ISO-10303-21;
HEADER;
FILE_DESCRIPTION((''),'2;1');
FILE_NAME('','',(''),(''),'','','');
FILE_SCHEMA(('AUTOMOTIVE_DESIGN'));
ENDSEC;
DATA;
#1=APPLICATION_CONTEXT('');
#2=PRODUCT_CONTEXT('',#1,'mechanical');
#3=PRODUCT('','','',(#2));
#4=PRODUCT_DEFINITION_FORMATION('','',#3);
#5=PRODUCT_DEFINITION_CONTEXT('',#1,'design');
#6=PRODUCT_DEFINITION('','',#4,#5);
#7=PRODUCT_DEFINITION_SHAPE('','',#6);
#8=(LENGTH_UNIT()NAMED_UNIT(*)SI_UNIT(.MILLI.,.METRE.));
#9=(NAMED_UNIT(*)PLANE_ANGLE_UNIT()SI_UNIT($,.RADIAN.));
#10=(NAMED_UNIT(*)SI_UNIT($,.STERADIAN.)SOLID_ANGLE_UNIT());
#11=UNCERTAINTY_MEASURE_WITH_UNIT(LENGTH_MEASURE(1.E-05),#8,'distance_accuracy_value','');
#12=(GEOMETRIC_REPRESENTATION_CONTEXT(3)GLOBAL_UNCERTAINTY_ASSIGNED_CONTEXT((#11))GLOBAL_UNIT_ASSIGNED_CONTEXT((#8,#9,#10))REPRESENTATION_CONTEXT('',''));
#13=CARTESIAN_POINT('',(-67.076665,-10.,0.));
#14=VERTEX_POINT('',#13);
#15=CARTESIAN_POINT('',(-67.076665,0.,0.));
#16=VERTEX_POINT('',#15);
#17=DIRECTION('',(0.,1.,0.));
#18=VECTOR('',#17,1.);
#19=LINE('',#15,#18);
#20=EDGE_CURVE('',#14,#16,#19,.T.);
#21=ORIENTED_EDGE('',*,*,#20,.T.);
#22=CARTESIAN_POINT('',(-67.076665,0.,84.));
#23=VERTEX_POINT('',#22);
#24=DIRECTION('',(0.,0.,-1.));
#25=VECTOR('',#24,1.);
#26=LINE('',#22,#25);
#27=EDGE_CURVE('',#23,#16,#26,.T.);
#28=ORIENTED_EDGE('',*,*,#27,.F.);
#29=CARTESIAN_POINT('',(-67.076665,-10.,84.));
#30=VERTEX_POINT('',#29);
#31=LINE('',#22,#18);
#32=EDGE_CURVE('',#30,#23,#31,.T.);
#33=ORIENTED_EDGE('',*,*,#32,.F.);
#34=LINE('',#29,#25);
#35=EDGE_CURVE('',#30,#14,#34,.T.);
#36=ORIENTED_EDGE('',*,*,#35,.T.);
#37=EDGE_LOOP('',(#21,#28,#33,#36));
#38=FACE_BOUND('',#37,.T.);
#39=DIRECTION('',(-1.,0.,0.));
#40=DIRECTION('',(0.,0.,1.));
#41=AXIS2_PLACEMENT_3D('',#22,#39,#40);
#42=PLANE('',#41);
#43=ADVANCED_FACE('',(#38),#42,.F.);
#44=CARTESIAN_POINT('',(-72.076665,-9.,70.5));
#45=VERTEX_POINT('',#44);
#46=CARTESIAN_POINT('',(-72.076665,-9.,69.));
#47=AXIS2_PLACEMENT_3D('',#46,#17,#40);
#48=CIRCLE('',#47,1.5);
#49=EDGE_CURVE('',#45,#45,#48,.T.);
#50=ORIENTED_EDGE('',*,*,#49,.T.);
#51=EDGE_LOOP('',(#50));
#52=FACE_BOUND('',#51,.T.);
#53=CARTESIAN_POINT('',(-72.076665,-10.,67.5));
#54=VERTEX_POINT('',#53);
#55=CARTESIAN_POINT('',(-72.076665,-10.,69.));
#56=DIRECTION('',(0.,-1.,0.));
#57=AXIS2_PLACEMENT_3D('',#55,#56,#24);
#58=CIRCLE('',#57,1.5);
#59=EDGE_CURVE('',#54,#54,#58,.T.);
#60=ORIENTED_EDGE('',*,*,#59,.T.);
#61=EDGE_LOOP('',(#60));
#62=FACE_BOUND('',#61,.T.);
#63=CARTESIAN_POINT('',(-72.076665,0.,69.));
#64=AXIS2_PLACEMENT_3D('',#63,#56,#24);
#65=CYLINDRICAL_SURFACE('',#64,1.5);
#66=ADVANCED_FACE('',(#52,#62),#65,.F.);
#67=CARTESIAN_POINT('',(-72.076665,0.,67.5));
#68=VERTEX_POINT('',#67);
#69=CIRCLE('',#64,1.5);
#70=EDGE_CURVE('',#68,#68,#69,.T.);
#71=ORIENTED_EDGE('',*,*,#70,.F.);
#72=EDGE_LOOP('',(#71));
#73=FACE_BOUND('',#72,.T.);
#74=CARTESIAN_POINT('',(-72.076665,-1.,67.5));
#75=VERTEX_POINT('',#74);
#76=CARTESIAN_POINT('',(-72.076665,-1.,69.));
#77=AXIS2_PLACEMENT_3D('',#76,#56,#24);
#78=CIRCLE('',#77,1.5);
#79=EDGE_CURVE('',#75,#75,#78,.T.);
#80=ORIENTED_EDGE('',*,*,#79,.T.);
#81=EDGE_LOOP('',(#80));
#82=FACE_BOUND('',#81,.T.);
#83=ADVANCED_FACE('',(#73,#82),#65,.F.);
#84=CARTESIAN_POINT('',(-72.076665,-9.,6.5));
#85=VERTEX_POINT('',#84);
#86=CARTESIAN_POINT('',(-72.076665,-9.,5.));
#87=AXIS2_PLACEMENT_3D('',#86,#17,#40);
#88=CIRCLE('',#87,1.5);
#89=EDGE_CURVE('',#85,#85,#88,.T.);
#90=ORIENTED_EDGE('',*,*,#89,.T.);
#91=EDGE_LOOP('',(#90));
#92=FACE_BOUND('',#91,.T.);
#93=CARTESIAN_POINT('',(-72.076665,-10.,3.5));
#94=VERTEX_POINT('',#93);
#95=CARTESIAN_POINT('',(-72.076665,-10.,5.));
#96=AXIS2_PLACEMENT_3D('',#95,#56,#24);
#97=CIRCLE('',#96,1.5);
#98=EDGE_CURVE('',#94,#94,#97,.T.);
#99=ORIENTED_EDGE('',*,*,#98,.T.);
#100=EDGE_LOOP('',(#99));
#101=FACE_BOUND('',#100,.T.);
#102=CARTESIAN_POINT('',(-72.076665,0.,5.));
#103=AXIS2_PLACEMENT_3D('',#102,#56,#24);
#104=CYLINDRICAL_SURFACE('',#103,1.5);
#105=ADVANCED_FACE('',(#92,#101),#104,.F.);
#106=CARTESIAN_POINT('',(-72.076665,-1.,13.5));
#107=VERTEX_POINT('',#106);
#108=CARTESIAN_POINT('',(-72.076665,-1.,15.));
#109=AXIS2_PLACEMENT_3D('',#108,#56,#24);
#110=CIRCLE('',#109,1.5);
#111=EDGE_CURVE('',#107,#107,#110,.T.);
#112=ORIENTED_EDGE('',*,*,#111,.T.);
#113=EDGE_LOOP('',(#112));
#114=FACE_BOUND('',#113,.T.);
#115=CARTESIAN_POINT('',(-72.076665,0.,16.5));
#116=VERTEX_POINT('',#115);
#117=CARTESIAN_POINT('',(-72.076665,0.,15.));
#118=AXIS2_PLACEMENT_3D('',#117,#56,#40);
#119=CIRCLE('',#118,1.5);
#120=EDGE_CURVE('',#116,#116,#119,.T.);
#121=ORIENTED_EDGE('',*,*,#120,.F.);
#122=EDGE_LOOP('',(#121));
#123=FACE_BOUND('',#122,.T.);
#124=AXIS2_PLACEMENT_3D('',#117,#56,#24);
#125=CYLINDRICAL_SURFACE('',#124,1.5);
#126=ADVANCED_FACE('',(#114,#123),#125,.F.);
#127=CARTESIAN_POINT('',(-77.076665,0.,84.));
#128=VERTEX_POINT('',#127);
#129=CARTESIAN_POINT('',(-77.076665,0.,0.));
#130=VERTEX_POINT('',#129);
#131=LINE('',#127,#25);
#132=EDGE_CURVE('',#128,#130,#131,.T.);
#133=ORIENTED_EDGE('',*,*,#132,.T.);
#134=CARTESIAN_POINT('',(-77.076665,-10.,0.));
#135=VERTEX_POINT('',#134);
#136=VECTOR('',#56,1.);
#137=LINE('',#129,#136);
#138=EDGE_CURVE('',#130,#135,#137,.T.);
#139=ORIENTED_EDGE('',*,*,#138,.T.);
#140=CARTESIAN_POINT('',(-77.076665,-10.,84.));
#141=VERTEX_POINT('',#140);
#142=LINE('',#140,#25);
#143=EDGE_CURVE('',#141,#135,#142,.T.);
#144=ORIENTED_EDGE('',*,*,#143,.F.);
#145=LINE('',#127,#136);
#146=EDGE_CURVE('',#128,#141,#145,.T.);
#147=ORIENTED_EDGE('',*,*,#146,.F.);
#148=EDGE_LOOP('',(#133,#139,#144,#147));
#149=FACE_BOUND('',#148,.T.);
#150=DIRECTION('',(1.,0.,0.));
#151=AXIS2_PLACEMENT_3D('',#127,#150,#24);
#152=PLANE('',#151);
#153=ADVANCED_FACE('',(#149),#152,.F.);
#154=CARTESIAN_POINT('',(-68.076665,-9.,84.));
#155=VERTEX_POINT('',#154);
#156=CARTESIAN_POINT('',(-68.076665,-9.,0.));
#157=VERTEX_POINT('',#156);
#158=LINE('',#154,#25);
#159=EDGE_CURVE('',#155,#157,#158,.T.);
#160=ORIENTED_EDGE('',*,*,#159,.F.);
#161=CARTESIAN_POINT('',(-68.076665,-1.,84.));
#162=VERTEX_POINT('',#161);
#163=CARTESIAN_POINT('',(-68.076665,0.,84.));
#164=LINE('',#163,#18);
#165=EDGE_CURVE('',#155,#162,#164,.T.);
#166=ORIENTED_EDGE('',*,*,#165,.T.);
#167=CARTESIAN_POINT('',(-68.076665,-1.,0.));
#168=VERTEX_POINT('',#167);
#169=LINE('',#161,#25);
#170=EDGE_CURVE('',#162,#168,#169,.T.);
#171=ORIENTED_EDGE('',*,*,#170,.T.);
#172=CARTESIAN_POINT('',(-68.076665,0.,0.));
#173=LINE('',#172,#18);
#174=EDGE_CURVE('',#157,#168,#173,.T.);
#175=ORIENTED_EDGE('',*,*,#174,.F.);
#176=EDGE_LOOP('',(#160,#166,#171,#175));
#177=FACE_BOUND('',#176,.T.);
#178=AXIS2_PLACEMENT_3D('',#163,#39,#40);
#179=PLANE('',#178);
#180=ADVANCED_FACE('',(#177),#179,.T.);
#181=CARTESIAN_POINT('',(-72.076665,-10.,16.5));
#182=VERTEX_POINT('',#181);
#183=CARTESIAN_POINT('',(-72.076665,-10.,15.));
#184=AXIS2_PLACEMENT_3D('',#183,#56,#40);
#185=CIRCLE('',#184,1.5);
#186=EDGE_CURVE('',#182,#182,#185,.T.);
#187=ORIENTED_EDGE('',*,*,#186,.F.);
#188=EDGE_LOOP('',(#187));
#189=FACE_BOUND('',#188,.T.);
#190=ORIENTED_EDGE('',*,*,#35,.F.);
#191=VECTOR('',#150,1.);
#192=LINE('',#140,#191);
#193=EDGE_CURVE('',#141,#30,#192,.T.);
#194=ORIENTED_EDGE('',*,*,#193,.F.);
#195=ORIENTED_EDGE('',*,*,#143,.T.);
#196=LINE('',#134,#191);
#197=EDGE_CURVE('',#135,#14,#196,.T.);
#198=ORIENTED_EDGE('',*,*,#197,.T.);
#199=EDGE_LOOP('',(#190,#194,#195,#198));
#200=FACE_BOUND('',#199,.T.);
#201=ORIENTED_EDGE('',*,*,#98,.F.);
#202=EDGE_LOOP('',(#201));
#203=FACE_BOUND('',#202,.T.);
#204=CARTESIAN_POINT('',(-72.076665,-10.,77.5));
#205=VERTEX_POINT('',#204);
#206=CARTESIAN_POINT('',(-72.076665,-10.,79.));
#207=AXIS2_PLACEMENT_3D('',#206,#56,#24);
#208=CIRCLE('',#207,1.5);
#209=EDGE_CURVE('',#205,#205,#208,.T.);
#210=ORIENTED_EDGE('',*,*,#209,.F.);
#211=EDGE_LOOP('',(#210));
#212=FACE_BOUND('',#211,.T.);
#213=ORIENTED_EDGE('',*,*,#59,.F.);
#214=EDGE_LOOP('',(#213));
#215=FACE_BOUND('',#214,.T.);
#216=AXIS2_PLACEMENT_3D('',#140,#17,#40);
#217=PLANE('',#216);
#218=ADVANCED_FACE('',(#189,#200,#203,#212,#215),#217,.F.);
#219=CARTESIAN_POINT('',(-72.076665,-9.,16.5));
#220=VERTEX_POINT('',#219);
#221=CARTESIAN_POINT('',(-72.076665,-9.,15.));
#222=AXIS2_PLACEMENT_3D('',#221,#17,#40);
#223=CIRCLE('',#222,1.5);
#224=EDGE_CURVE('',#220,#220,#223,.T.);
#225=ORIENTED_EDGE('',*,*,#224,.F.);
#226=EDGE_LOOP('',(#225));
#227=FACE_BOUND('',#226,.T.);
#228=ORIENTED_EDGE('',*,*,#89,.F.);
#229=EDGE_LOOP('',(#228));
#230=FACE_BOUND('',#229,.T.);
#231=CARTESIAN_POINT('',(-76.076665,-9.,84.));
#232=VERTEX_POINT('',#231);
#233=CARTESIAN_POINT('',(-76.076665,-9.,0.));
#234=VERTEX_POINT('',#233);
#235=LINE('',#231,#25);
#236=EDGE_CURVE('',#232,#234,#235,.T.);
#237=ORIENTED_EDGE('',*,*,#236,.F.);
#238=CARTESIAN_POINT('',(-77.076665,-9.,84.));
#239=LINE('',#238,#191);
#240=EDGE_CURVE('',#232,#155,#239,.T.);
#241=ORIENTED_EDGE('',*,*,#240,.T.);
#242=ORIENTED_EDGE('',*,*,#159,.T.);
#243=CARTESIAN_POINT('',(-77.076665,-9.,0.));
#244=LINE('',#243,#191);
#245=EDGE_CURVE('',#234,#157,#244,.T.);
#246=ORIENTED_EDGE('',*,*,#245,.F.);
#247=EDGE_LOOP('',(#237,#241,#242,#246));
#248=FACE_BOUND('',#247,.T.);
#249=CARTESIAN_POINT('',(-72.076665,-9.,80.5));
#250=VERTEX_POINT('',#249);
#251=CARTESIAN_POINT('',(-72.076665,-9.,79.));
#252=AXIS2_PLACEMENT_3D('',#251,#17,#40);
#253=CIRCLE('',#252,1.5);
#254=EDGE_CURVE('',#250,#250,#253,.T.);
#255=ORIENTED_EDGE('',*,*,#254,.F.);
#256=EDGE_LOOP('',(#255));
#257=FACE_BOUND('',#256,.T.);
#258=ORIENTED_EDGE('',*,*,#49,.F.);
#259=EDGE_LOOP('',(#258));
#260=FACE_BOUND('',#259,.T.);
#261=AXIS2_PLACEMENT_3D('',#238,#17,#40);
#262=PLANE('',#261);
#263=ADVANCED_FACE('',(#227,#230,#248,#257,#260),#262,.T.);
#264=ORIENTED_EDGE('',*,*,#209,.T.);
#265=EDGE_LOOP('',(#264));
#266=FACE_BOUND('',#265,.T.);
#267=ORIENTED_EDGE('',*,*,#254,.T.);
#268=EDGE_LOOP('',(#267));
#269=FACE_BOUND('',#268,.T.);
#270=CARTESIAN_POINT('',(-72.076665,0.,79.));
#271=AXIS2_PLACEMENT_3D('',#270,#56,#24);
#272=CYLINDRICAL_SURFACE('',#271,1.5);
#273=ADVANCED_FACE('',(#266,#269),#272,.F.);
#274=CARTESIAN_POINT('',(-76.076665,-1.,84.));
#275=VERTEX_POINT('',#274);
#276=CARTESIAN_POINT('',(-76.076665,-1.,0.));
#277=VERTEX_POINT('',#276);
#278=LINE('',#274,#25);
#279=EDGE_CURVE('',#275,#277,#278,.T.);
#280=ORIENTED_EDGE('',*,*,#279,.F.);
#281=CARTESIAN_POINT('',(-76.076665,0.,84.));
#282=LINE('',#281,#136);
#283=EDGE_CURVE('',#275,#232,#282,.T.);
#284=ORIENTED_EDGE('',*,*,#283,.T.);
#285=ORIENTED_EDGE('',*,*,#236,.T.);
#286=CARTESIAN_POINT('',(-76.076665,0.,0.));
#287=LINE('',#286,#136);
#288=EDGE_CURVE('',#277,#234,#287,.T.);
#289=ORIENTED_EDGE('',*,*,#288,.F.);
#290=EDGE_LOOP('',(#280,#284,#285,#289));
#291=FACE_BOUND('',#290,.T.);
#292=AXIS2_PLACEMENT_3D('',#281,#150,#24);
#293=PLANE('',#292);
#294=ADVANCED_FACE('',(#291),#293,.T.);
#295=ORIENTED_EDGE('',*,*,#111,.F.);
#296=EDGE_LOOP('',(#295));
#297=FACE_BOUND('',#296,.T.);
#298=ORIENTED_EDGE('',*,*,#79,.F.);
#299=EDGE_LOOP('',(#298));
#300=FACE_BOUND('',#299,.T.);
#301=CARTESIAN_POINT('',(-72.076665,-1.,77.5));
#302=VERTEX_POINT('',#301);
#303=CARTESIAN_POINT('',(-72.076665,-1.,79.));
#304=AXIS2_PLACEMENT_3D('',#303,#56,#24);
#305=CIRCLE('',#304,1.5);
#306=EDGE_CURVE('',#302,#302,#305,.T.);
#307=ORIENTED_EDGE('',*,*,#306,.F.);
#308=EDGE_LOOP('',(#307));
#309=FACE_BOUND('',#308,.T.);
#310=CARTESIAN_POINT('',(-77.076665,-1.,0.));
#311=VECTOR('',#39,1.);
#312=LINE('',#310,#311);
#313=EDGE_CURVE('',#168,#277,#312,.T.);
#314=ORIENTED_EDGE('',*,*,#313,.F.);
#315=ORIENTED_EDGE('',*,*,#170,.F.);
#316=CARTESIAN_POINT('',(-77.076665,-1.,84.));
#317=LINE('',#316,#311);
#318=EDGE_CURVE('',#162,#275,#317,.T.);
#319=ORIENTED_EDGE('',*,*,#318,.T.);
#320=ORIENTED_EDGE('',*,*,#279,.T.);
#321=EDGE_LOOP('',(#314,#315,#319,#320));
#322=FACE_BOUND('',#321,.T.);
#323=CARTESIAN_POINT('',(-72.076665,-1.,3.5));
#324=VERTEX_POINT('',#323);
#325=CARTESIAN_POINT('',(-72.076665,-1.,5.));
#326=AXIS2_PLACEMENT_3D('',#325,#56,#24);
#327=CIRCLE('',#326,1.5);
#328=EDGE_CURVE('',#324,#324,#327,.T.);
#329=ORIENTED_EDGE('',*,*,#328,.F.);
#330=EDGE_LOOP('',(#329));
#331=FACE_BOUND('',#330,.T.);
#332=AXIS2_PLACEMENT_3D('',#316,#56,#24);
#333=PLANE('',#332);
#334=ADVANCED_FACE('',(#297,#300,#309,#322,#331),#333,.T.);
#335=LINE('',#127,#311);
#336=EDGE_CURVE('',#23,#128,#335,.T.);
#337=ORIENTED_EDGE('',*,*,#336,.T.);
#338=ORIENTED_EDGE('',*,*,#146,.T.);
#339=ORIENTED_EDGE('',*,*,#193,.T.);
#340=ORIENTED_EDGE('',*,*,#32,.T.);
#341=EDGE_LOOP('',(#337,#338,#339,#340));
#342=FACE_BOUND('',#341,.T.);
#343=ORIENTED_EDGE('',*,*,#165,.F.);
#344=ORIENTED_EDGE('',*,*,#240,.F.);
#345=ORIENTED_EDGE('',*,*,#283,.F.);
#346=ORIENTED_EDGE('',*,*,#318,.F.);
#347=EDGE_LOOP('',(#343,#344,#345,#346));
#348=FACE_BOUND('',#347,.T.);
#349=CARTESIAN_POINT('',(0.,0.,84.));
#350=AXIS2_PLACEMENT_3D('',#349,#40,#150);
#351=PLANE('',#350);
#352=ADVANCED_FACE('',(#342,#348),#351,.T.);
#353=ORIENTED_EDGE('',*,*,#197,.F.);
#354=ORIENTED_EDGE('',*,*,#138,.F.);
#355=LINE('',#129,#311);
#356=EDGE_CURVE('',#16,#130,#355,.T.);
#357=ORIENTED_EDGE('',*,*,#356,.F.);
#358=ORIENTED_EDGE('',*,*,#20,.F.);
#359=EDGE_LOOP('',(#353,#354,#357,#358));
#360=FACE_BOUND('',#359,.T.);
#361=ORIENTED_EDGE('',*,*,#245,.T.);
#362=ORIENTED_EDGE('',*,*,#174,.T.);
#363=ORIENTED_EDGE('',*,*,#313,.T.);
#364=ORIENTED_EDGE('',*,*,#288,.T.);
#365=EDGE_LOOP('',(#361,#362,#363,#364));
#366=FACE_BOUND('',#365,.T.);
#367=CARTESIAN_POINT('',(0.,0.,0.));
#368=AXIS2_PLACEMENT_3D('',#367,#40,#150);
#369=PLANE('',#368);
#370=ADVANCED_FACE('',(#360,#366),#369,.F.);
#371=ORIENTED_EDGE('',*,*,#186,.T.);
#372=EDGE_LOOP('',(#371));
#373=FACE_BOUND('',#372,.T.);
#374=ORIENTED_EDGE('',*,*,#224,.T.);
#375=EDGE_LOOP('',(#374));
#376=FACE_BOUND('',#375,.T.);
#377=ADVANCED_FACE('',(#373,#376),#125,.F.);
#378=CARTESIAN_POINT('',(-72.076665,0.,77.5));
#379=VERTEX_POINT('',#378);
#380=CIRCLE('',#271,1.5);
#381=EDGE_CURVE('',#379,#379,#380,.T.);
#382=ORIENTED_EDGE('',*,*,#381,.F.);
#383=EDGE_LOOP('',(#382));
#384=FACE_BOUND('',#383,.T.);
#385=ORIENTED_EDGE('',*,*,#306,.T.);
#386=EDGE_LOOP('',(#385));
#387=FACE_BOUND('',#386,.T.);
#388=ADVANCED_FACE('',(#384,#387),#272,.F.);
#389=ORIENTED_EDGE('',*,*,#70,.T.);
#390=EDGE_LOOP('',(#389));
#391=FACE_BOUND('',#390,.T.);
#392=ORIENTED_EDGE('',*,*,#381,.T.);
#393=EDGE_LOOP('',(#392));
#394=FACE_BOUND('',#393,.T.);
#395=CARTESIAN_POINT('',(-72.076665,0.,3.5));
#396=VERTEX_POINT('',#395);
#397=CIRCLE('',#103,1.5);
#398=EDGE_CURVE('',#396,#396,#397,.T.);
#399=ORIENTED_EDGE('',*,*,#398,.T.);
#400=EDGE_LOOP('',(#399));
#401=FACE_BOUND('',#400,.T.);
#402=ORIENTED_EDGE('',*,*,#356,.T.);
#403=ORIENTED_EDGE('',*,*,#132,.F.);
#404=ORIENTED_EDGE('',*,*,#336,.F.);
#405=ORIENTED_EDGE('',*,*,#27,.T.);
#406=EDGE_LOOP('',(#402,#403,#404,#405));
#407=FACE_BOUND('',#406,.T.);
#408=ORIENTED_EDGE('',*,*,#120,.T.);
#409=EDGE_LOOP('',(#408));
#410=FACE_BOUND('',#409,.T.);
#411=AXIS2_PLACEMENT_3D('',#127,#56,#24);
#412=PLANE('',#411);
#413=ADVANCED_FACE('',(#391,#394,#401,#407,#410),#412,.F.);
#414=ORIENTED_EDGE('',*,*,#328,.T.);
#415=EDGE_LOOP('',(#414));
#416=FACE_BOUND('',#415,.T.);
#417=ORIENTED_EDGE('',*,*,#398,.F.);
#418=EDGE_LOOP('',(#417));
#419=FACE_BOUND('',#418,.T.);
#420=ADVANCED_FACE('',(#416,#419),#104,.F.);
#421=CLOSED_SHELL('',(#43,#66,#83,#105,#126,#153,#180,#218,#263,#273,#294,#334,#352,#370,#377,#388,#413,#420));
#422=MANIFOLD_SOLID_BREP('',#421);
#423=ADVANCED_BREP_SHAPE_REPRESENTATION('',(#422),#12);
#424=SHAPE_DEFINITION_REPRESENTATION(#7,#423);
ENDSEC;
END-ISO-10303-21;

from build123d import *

# Parameters (mm, degrees)
SKETCH_1_W          = 10
SKETCH_1_H          = 10
SKETCH_1_W_2        = 8
SKETCH_1_H_2        = 8
EXTRUDE_1_DEPTH     = 84
SKETCH_3_R          = 1.5
CUT_EXTRUDE_2_DEPTH = 10


with BuildPart() as part:
    # 草图1 → 拉伸-薄壁1 (new body)
    with BuildSketch(Plane.XY):
        with Locations((-72.076665045, -5)):
            Rectangle(SKETCH_1_W, SKETCH_1_H)
        with Locations((-72.076665045, -5)):
            Rectangle(SKETCH_1_W_2, SKETCH_1_H_2, mode=Mode.SUBTRACT)
    extrude(amount=EXTRUDE_1_DEPTH)

    # 草图3 → 切除-拉伸2 (cut)
    with BuildSketch(Plane.XZ.offset(10)):
        with Locations((-72.076665045, 5)):
            Circle(SKETCH_3_R)
        with Locations((-72.076665045, 79)):
            Circle(SKETCH_3_R)
        with Locations((-72.076665045, 69)):
            Circle(SKETCH_3_R)
        with Locations((-72.076665045, 15)):
            Circle(SKETCH_3_R)
    extrude(amount=-CUT_EXTRUDE_2_DEPTH, mode=Mode.SUBTRACT)


solid = part.part
